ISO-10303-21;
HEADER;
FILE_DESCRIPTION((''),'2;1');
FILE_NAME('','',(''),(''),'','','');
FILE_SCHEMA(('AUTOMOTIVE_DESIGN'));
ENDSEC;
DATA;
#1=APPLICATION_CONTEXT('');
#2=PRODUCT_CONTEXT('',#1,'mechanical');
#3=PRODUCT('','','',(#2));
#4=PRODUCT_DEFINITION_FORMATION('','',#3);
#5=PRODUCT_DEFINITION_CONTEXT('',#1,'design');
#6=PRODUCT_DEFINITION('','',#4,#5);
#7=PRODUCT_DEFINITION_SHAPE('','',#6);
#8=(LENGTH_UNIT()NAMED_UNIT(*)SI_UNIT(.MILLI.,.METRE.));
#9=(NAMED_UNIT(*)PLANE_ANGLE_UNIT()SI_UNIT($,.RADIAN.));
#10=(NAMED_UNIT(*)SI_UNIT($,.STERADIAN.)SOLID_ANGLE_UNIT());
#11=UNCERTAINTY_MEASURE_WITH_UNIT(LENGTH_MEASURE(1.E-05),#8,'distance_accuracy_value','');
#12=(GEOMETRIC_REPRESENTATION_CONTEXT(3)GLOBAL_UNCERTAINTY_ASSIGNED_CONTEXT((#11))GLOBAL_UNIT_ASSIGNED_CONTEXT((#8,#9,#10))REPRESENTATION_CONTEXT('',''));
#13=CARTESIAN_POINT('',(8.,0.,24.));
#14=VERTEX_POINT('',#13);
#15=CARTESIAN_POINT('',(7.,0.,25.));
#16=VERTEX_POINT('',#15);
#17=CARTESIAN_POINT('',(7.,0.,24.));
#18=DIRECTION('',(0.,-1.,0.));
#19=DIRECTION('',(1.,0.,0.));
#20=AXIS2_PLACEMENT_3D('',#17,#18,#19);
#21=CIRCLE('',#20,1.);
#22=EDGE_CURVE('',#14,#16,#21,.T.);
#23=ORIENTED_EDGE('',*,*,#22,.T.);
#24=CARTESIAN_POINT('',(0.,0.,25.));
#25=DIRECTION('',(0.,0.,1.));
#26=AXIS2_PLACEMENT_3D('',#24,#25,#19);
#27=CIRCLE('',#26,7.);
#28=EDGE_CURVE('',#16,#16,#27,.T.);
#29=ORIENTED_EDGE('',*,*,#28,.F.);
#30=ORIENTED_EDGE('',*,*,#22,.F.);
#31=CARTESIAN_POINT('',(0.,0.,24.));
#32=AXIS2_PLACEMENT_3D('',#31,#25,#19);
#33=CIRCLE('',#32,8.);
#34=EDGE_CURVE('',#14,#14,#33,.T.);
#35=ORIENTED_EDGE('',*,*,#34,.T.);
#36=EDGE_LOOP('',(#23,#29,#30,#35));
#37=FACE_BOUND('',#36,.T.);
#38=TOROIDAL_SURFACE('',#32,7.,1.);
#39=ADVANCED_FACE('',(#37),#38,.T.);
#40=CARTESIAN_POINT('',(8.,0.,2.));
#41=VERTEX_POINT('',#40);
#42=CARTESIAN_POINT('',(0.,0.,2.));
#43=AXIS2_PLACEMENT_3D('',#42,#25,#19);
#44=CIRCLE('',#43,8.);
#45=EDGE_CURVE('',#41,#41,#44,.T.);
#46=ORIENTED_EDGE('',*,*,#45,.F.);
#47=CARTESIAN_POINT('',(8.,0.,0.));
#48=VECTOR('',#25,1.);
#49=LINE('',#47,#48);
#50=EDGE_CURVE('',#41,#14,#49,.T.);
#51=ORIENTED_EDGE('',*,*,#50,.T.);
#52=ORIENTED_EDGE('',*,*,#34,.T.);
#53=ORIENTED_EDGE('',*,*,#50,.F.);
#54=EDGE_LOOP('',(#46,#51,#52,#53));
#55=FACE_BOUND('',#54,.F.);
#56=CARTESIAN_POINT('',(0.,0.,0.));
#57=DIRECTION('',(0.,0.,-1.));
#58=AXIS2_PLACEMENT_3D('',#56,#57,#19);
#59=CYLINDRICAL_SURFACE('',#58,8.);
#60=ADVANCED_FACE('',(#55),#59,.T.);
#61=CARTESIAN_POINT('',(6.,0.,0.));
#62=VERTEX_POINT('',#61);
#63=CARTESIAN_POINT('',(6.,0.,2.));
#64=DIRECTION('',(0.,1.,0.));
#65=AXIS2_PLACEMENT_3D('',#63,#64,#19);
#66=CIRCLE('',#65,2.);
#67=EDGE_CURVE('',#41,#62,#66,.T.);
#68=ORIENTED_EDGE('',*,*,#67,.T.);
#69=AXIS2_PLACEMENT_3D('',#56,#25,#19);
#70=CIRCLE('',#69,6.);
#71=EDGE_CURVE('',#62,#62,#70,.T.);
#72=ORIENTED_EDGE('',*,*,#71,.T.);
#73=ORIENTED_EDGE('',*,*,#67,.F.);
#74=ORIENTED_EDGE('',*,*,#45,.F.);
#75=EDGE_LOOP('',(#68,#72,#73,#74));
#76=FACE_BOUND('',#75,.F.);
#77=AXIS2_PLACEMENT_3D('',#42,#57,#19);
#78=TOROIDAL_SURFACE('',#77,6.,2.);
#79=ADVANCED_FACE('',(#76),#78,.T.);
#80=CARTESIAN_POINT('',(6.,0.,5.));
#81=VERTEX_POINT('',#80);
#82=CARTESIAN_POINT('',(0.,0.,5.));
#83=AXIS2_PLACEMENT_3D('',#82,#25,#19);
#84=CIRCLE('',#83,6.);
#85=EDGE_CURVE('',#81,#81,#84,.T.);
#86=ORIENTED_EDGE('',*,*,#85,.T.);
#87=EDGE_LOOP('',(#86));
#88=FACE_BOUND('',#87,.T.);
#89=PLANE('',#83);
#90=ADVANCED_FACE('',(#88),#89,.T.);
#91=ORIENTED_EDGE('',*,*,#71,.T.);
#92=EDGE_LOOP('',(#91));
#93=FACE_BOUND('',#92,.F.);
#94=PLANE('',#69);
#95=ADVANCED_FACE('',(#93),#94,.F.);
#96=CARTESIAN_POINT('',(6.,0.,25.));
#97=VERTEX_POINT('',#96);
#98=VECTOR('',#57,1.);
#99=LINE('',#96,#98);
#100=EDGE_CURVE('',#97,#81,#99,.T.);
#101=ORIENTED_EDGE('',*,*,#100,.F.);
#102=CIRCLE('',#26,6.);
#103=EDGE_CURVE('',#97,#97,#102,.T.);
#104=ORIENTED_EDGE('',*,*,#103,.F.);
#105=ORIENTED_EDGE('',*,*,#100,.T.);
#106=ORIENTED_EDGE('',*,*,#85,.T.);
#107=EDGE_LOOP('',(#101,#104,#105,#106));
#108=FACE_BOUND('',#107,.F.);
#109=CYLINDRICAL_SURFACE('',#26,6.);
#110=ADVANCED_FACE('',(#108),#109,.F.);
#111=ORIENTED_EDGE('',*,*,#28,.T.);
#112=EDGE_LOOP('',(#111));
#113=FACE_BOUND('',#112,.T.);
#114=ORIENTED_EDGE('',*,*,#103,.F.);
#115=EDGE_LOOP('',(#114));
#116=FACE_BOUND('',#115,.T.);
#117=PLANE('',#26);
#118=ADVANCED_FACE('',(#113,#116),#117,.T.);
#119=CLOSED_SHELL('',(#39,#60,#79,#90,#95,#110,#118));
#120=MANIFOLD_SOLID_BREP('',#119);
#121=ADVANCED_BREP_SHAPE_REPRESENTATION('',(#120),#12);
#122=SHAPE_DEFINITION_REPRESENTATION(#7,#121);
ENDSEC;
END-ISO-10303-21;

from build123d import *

# Parameters (mm, degrees)
F0_R     = 8
F1_DEPTH = 25
F2_R     = 2
F3_R     = 6
F4_DEPTH = 20
F5_R     = 1


with BuildPart() as f1:
    # F0 (on Top) → F1 (new body)
    with BuildSketch(Plane.XY):
        Circle(F0_R)
    extrude(amount=F1_DEPTH)

    # F2
    f2_edges = [f1.edges().sort_by_distance(p)[0] for p in [
        (-8, 0, 0),
    ]]
    fillet(f2_edges, radius=F2_R)

    # F3 (on face) → F4 (cut)
    with BuildSketch(Plane.XY.offset(25)):
        Circle(F3_R)
    extrude(amount=-F4_DEPTH, mode=Mode.SUBTRACT)

    # F5
    f5_edges = [f1.edges().sort_by_distance(p)[0] for p in [
        (-8, 0, 25),
    ]]
    fillet(f5_edges, radius=F5_R)


solid = f1.part
